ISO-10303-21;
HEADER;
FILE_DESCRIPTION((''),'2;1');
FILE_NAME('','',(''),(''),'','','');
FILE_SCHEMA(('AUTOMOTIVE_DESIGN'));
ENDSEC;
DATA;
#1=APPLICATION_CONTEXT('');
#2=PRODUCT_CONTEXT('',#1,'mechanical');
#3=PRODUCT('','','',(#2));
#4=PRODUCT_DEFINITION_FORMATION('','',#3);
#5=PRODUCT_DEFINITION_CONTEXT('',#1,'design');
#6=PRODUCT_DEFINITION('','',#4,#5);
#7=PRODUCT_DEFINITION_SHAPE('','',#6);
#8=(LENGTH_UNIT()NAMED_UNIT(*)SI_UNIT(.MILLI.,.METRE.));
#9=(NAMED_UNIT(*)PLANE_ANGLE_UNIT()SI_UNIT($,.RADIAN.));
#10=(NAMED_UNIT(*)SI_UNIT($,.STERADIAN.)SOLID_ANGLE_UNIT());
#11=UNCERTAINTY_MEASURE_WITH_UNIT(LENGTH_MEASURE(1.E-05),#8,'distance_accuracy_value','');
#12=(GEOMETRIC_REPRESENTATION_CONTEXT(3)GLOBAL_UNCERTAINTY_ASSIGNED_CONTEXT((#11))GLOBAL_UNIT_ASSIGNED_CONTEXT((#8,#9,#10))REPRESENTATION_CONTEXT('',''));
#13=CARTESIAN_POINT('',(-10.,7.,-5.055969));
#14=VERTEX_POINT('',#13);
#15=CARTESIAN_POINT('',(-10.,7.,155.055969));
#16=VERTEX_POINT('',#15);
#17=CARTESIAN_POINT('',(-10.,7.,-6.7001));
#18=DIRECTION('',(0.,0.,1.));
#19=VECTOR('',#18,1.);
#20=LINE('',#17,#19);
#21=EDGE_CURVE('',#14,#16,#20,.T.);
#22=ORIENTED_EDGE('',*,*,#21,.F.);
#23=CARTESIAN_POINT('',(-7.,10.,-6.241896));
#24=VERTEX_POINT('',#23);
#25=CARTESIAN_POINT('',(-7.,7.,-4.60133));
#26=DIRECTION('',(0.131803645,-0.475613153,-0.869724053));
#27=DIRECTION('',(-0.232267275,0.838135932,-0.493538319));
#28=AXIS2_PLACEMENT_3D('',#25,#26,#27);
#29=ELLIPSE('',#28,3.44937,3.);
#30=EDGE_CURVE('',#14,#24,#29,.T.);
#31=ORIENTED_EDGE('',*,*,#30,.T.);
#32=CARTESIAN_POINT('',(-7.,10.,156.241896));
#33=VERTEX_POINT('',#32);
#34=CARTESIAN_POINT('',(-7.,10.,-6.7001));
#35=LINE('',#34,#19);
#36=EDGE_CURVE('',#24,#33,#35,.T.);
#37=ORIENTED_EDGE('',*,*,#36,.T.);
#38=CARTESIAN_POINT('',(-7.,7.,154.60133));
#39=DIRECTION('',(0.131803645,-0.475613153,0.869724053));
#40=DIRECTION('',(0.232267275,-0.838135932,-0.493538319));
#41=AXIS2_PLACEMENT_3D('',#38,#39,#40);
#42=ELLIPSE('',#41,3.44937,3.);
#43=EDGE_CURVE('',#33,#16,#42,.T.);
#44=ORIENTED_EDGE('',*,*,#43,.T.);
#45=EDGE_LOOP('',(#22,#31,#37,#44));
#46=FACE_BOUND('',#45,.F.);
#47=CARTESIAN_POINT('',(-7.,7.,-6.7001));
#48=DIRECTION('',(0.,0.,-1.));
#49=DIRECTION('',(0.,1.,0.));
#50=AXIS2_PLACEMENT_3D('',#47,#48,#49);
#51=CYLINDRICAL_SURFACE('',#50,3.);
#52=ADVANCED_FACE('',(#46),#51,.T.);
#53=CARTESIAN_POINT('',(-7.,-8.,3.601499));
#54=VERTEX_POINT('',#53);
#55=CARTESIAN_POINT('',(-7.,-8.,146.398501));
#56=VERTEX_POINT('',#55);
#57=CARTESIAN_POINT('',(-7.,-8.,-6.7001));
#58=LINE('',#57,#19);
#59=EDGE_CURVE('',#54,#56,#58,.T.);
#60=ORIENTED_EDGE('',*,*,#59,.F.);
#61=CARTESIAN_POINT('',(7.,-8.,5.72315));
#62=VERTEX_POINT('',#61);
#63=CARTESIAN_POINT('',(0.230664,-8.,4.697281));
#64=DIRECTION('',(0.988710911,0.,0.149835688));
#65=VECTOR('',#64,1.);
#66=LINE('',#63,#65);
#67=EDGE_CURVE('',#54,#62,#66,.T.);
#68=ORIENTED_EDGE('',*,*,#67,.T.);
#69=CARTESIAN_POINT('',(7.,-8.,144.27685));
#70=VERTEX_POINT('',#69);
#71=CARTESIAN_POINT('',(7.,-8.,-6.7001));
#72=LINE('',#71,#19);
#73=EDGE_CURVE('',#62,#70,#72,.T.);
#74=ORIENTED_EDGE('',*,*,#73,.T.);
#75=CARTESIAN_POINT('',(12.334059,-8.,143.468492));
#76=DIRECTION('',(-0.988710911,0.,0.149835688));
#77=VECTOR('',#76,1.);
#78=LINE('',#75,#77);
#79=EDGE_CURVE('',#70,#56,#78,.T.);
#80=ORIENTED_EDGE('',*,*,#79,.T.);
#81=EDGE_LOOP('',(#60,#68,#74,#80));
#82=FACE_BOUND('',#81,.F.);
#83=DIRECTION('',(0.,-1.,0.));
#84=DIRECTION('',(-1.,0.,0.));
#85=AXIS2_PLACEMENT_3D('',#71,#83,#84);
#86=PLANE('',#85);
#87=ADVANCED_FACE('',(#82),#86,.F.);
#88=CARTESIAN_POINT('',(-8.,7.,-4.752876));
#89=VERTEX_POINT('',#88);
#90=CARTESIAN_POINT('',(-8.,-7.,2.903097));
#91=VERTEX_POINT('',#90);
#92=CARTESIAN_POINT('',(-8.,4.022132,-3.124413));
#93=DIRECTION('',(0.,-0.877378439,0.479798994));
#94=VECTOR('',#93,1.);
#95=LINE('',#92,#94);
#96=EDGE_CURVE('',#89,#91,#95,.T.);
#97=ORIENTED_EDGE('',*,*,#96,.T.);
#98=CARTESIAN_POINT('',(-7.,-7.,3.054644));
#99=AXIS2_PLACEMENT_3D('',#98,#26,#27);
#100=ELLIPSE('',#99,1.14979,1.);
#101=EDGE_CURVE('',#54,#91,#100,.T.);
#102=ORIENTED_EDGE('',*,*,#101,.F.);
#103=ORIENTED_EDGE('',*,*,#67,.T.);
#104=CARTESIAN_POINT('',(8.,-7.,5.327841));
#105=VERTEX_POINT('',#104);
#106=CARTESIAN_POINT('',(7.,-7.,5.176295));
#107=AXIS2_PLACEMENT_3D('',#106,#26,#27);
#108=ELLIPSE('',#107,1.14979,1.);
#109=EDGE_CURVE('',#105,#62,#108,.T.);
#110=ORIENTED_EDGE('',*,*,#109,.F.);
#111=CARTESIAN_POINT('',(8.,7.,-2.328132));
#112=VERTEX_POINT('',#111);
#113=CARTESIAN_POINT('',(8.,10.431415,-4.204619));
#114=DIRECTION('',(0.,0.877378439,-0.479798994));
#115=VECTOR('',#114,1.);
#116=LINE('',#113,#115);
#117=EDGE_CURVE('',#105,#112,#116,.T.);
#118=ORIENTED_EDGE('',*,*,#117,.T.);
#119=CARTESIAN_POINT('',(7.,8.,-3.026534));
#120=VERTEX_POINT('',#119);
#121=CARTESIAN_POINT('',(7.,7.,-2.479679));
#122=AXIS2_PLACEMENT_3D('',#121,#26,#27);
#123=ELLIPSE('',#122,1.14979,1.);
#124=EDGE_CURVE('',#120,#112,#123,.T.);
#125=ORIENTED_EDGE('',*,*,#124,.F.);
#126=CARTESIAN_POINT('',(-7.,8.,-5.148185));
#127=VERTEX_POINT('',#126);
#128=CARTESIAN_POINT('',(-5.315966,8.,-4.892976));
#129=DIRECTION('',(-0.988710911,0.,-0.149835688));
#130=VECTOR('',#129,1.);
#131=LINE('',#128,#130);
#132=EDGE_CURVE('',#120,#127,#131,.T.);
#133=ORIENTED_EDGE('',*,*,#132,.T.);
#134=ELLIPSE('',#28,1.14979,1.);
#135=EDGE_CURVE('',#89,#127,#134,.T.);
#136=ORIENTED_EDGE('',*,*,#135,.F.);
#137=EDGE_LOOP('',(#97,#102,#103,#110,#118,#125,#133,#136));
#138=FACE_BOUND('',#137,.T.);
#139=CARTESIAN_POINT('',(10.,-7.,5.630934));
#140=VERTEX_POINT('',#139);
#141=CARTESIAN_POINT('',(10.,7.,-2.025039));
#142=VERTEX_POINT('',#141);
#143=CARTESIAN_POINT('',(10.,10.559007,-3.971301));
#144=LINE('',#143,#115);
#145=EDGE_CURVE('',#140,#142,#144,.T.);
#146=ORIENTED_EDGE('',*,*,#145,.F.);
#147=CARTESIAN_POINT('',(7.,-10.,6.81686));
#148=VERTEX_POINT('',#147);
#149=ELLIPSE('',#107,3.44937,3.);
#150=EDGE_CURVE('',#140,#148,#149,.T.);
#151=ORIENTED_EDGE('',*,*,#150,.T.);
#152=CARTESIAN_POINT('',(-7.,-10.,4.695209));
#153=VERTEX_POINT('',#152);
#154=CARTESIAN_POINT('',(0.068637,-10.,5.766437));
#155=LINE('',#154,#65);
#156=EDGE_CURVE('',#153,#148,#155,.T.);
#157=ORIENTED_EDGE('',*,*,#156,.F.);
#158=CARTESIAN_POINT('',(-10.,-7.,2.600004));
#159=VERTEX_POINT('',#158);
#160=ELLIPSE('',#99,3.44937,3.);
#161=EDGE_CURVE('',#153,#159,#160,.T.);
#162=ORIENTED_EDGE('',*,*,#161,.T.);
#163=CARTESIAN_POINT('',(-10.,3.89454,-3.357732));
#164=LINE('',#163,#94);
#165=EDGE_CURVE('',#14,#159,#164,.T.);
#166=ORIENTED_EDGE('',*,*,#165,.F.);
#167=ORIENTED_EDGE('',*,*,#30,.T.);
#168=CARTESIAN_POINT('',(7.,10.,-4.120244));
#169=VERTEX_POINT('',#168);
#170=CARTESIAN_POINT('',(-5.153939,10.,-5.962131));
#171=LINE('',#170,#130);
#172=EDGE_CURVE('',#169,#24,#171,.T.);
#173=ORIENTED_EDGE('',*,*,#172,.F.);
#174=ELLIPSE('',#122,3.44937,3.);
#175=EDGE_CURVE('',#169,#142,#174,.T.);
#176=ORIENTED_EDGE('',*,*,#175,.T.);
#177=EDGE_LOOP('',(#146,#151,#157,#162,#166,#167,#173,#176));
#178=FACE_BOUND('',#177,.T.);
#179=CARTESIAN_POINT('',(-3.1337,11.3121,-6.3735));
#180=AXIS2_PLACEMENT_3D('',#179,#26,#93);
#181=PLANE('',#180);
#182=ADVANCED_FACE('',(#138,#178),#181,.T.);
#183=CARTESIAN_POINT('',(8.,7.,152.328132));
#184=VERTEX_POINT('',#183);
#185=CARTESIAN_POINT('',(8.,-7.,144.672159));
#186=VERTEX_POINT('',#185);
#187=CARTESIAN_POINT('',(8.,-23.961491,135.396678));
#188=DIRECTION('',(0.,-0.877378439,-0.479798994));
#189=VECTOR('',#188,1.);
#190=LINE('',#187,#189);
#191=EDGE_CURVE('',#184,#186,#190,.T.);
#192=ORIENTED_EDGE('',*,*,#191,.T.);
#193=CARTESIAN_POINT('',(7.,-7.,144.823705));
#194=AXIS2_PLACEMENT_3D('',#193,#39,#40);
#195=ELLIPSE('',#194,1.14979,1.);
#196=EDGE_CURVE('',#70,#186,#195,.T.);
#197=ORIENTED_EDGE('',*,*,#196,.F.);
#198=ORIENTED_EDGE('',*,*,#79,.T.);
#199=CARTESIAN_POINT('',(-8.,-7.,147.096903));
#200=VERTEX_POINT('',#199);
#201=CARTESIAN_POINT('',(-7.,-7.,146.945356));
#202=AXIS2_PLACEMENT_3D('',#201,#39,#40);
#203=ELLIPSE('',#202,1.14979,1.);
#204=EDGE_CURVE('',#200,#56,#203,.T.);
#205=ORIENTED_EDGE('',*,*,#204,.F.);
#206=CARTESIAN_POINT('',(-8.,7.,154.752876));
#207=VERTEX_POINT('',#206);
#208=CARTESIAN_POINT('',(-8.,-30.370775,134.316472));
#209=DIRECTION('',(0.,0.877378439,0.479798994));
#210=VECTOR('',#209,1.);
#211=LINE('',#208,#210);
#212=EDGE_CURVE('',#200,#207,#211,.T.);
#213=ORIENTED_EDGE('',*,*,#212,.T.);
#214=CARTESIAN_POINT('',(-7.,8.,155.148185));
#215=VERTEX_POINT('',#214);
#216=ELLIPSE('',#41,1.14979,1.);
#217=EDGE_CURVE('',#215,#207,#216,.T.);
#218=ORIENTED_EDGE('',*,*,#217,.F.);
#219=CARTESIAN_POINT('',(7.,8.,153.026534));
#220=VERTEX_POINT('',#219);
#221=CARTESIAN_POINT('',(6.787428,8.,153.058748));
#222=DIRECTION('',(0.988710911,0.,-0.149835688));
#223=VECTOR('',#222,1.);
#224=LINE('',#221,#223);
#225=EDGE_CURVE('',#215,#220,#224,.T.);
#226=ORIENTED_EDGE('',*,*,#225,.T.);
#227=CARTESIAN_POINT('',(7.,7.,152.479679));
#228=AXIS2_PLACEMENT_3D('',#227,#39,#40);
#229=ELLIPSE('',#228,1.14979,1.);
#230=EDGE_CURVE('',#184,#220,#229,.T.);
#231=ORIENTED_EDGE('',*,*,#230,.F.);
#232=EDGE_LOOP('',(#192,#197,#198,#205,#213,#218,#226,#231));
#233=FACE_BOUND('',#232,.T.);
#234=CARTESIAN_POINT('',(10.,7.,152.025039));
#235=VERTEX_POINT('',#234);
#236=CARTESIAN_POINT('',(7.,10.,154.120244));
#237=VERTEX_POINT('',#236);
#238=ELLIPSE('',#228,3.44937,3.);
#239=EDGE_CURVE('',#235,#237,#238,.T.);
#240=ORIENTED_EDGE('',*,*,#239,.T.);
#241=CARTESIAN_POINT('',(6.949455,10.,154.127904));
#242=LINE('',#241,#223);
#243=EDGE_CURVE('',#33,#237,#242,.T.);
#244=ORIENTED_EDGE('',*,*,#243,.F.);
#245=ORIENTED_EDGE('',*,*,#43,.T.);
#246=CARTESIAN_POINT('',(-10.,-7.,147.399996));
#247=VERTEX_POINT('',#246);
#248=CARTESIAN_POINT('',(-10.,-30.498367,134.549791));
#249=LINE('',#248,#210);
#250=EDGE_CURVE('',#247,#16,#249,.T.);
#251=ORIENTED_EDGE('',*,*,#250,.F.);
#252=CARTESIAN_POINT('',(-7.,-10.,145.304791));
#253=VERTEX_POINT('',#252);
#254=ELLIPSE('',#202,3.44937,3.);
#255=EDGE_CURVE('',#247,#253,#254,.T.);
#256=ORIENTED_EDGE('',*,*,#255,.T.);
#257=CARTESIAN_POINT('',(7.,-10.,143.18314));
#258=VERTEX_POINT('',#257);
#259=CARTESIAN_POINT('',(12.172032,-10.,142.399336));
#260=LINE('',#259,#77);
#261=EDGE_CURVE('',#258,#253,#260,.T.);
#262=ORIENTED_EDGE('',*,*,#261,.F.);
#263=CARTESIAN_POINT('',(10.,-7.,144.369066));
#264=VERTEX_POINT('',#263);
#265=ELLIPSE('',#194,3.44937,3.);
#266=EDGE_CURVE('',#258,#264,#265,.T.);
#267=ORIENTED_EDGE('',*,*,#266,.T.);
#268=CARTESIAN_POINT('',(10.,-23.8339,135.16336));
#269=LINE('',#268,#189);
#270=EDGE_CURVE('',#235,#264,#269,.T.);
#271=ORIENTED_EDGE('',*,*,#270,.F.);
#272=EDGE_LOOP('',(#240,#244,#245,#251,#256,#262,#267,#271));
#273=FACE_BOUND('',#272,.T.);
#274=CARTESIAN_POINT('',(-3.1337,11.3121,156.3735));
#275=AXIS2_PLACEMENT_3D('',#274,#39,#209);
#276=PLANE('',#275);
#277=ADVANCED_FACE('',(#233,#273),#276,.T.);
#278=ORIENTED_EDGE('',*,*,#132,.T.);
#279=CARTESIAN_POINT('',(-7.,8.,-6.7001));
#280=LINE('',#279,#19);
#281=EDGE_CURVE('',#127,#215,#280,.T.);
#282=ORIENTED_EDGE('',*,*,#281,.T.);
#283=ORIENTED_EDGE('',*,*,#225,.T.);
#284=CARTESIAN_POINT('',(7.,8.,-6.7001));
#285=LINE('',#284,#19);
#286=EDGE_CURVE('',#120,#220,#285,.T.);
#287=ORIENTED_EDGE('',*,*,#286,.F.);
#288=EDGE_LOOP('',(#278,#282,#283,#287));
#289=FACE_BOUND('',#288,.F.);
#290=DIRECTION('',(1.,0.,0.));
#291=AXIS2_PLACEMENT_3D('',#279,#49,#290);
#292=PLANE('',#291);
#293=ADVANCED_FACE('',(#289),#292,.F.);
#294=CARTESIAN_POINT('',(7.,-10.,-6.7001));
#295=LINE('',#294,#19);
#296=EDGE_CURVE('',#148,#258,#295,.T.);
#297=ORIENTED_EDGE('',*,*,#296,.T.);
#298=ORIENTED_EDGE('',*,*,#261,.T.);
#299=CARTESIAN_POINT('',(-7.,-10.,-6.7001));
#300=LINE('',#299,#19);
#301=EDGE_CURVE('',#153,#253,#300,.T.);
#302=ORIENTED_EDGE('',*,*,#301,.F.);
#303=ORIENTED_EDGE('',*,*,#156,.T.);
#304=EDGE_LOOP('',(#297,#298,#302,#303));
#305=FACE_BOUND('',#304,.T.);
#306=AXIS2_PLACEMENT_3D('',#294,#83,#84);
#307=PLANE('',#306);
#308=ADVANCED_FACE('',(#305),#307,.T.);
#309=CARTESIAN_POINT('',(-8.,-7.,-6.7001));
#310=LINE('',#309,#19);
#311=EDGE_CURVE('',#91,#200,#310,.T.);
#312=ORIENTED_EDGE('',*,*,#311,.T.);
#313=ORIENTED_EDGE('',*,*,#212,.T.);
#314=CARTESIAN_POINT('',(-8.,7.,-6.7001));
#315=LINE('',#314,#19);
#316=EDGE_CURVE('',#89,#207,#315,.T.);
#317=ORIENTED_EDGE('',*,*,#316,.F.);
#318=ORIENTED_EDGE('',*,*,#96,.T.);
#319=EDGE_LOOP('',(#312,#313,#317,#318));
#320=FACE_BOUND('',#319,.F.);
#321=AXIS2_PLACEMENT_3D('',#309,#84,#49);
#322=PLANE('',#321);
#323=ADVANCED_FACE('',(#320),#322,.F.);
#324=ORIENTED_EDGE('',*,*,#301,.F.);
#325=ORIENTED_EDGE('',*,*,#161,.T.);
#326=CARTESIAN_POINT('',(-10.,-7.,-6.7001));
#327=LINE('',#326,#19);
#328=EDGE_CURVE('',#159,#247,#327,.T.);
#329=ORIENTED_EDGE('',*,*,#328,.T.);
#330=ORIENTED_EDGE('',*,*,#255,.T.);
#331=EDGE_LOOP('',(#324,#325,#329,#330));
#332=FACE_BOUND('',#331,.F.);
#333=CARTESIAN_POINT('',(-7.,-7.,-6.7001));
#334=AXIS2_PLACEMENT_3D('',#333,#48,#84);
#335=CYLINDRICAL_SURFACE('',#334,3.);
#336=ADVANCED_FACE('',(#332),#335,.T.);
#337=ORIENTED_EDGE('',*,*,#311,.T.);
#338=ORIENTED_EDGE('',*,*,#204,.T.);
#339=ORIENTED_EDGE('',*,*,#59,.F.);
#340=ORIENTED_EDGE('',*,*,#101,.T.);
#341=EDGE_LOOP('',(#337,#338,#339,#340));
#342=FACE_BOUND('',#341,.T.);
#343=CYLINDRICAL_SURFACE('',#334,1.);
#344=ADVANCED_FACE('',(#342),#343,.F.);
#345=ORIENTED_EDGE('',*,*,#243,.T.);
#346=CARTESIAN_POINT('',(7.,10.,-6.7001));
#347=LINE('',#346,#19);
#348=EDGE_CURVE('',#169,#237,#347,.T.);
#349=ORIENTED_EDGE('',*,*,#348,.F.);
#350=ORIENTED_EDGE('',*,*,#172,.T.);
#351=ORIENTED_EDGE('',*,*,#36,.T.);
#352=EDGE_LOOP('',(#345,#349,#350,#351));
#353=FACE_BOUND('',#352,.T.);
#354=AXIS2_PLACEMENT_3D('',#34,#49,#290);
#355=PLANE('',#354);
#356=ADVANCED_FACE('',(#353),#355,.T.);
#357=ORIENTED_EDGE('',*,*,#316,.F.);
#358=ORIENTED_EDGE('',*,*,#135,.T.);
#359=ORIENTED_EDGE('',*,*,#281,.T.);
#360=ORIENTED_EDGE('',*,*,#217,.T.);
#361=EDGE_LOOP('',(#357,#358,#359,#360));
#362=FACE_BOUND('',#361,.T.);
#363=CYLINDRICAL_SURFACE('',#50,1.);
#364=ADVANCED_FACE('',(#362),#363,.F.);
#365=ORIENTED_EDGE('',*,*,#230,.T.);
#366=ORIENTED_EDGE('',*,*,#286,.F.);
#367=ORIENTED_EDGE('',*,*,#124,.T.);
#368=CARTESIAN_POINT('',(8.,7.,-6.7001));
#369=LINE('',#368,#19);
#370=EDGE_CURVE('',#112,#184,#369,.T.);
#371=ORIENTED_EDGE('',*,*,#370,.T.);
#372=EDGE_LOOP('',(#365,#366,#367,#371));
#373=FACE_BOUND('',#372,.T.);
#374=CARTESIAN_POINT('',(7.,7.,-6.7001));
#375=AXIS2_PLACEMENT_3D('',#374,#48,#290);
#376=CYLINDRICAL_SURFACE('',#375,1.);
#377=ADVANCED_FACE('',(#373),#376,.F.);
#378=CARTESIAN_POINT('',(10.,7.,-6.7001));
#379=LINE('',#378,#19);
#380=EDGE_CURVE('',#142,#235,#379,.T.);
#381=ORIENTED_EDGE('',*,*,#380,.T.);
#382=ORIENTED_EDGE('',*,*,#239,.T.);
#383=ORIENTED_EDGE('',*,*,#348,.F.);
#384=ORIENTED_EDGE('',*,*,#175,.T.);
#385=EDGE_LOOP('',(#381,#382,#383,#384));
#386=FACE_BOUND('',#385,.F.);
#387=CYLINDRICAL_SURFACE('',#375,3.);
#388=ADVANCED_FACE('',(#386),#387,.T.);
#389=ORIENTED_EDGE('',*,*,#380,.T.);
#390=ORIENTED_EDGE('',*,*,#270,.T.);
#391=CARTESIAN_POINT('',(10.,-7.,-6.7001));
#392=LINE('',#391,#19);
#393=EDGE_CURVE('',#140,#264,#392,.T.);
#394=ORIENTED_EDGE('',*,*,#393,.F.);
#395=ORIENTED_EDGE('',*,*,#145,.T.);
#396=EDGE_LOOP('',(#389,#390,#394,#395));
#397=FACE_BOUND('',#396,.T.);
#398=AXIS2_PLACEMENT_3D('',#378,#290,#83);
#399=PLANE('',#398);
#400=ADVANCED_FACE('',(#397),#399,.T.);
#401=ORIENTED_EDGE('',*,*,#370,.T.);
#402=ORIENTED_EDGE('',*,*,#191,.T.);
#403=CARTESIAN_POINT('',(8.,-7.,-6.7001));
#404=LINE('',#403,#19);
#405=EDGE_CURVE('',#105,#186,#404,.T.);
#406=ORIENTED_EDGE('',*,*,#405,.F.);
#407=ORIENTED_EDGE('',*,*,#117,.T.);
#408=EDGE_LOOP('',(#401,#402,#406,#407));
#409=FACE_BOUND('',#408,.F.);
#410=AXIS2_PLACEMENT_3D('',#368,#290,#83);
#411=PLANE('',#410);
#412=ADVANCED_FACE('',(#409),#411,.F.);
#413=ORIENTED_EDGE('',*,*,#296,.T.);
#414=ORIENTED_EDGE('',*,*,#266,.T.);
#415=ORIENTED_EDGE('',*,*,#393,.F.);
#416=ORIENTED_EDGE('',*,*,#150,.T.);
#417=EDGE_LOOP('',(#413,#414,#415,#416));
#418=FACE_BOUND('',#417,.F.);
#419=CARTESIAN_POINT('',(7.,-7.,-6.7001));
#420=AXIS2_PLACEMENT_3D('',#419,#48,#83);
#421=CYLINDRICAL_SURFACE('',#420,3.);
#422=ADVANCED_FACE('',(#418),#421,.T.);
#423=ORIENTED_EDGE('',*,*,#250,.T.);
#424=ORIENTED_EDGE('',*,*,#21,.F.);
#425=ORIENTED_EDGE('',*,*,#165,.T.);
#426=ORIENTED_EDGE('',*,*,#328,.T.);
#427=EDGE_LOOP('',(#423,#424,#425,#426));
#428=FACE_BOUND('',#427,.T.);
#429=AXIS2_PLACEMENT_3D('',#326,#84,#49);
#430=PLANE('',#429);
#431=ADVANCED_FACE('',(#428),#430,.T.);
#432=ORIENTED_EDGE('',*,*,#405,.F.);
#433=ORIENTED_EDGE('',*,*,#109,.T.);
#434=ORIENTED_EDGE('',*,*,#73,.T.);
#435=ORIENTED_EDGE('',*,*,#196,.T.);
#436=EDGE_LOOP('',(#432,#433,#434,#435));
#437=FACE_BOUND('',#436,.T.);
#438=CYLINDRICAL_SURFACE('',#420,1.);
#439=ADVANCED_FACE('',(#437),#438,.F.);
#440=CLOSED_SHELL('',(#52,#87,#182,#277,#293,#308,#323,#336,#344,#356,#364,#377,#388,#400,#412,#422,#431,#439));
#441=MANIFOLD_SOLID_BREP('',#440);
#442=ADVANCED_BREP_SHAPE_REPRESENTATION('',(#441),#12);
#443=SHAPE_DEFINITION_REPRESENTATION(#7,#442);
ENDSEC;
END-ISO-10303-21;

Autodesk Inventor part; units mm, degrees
ref_plane "Start Plane" through (0, 0, -6.7001) normal (0, 0, 1) x (1, 0, 0)
ref_plane "End Plane" through (0, 0, 156.7001) normal (0, 0, 1) x (1, 0, 0)
sketch "Sketch" plane through (0, 0, 0) normal (0, 0, 1) x (1, 0, 0)
  line L0 (-10, -7) -> (-10, 7)
  line L1 (-7, 10) -> (7, 10)
  line L2 (10, 7) -> (10, -7)
  line L3 (7, -10) -> (-7, -10)
  arc A0 (-10, -7) -> (-7, -10) centre (-7, -7) ccw
  arc A1 (-7, 10) -> (-10, 7) centre (-7, 7) ccw
  arc A2 (10, 7) -> (7, 10) centre (7, 7) ccw
  arc A3 (7, -10) -> (10, -7) centre (7, -7) ccw
  arc A4 (-7, 8) -> (-8, 7) centre (-7, 7) ccw
  line L4 (-7, 8) -> (7, 8)
  arc A5 (8, 7) -> (7, 8) centre (7, 7) ccw
  line L5 (8, 7) -> (8, -7)
  arc A6 (7, -8) -> (8, -7) centre (7, -7) ccw
  line L6 (7, -8) -> (-7, -8)
  arc A7 (-8, -7) -> (-7, -8) centre (-7, -7) ccw
  line L7 (-8, -7) -> (-8, 7)
  line L8 (0, 14.8698) -> (0, -14.8698) construction
  line L9 (-14.8698, 0) -> (14.8698, 0) construction
  dimension "d7" = 3
  dimension "d10" = 20
  dimension "d11" = 20
  dimension "d12" = 2
  dimension "d15" = 10
  dimension "d16" = 10
extrude "Body" add sketch "Sketch" along normal up to surface (163.4001 mm away) from surface at -6.7001
sketch "Sketch3" plane through (0, 0, 0) normal (0, 0, 1) x (1, 0, 0)
  line L0 (0, 0) -> (10, 0)
ref_plane "Work Plane3" through (0, 0, 0) normal (0, -1, 0) x (1, 0, 0)
sketch "Sketch4" plane through (0, 0, 0) normal (0, -1, 0) x (1, 0, 0)
  line L0 (-2, -6.7001) -> (12, -6.7001)
  line L1 (-2, 156.7001) -> (12, 156.7001)
  dimension "d18" = 163.4001
ref_plane "Work Plane4" through (-3.1337, 11.3121, -6.3735) normal (0.1318, -0.4756, -0.8697) x (0.8667, 0.481, -0.1318)
split "Split1" plane through (-3.1337, 11.3121, -6.3735) removes the side toward (0.1318, -0.4756, -0.8697)
ref_plane "Work Plane5" through (-3.1337, 11.3121, 156.3735) normal (0.1318, -0.4756, 0.8697) x (0.9907, 0.0335, -0.1318)
split "Split2" plane through (-3.1337, 11.3121, 156.3735) removes the side toward (0.1318, -0.4756, 0.8697)
equation "\"d7\" = G_IR"
equation "\"d10\" = G_H"
equation "\"d11\" = G_W"
equation "\"d12\" = G_T"
equation "\"d15\" = 0.5 * d10"
equation "\"d16\" = 0.5 * d11"
equation "\"d3\" = G_L"
equation "\"G_W\" = 20"
equation "\"G_H\" = 20"
equation "\"G_T\" = 2"
equation "\"G_IR\" = 3"
equation "\"G_L\" = 162.48349"
equation "\"G_OFFSET_START\" = 6.70006"
equation "\"G_OFFSET_END\" = 6.70006"
equation "\"d13\" = -G_OFFSET_START"
equation "\"d14\" = G_OFFSET_END + B_L"
equation "\"B_L\" = 150"
properties part number "ISO 12633-2 - 20x20x2 - 162,48" material "Steel, Mild"
